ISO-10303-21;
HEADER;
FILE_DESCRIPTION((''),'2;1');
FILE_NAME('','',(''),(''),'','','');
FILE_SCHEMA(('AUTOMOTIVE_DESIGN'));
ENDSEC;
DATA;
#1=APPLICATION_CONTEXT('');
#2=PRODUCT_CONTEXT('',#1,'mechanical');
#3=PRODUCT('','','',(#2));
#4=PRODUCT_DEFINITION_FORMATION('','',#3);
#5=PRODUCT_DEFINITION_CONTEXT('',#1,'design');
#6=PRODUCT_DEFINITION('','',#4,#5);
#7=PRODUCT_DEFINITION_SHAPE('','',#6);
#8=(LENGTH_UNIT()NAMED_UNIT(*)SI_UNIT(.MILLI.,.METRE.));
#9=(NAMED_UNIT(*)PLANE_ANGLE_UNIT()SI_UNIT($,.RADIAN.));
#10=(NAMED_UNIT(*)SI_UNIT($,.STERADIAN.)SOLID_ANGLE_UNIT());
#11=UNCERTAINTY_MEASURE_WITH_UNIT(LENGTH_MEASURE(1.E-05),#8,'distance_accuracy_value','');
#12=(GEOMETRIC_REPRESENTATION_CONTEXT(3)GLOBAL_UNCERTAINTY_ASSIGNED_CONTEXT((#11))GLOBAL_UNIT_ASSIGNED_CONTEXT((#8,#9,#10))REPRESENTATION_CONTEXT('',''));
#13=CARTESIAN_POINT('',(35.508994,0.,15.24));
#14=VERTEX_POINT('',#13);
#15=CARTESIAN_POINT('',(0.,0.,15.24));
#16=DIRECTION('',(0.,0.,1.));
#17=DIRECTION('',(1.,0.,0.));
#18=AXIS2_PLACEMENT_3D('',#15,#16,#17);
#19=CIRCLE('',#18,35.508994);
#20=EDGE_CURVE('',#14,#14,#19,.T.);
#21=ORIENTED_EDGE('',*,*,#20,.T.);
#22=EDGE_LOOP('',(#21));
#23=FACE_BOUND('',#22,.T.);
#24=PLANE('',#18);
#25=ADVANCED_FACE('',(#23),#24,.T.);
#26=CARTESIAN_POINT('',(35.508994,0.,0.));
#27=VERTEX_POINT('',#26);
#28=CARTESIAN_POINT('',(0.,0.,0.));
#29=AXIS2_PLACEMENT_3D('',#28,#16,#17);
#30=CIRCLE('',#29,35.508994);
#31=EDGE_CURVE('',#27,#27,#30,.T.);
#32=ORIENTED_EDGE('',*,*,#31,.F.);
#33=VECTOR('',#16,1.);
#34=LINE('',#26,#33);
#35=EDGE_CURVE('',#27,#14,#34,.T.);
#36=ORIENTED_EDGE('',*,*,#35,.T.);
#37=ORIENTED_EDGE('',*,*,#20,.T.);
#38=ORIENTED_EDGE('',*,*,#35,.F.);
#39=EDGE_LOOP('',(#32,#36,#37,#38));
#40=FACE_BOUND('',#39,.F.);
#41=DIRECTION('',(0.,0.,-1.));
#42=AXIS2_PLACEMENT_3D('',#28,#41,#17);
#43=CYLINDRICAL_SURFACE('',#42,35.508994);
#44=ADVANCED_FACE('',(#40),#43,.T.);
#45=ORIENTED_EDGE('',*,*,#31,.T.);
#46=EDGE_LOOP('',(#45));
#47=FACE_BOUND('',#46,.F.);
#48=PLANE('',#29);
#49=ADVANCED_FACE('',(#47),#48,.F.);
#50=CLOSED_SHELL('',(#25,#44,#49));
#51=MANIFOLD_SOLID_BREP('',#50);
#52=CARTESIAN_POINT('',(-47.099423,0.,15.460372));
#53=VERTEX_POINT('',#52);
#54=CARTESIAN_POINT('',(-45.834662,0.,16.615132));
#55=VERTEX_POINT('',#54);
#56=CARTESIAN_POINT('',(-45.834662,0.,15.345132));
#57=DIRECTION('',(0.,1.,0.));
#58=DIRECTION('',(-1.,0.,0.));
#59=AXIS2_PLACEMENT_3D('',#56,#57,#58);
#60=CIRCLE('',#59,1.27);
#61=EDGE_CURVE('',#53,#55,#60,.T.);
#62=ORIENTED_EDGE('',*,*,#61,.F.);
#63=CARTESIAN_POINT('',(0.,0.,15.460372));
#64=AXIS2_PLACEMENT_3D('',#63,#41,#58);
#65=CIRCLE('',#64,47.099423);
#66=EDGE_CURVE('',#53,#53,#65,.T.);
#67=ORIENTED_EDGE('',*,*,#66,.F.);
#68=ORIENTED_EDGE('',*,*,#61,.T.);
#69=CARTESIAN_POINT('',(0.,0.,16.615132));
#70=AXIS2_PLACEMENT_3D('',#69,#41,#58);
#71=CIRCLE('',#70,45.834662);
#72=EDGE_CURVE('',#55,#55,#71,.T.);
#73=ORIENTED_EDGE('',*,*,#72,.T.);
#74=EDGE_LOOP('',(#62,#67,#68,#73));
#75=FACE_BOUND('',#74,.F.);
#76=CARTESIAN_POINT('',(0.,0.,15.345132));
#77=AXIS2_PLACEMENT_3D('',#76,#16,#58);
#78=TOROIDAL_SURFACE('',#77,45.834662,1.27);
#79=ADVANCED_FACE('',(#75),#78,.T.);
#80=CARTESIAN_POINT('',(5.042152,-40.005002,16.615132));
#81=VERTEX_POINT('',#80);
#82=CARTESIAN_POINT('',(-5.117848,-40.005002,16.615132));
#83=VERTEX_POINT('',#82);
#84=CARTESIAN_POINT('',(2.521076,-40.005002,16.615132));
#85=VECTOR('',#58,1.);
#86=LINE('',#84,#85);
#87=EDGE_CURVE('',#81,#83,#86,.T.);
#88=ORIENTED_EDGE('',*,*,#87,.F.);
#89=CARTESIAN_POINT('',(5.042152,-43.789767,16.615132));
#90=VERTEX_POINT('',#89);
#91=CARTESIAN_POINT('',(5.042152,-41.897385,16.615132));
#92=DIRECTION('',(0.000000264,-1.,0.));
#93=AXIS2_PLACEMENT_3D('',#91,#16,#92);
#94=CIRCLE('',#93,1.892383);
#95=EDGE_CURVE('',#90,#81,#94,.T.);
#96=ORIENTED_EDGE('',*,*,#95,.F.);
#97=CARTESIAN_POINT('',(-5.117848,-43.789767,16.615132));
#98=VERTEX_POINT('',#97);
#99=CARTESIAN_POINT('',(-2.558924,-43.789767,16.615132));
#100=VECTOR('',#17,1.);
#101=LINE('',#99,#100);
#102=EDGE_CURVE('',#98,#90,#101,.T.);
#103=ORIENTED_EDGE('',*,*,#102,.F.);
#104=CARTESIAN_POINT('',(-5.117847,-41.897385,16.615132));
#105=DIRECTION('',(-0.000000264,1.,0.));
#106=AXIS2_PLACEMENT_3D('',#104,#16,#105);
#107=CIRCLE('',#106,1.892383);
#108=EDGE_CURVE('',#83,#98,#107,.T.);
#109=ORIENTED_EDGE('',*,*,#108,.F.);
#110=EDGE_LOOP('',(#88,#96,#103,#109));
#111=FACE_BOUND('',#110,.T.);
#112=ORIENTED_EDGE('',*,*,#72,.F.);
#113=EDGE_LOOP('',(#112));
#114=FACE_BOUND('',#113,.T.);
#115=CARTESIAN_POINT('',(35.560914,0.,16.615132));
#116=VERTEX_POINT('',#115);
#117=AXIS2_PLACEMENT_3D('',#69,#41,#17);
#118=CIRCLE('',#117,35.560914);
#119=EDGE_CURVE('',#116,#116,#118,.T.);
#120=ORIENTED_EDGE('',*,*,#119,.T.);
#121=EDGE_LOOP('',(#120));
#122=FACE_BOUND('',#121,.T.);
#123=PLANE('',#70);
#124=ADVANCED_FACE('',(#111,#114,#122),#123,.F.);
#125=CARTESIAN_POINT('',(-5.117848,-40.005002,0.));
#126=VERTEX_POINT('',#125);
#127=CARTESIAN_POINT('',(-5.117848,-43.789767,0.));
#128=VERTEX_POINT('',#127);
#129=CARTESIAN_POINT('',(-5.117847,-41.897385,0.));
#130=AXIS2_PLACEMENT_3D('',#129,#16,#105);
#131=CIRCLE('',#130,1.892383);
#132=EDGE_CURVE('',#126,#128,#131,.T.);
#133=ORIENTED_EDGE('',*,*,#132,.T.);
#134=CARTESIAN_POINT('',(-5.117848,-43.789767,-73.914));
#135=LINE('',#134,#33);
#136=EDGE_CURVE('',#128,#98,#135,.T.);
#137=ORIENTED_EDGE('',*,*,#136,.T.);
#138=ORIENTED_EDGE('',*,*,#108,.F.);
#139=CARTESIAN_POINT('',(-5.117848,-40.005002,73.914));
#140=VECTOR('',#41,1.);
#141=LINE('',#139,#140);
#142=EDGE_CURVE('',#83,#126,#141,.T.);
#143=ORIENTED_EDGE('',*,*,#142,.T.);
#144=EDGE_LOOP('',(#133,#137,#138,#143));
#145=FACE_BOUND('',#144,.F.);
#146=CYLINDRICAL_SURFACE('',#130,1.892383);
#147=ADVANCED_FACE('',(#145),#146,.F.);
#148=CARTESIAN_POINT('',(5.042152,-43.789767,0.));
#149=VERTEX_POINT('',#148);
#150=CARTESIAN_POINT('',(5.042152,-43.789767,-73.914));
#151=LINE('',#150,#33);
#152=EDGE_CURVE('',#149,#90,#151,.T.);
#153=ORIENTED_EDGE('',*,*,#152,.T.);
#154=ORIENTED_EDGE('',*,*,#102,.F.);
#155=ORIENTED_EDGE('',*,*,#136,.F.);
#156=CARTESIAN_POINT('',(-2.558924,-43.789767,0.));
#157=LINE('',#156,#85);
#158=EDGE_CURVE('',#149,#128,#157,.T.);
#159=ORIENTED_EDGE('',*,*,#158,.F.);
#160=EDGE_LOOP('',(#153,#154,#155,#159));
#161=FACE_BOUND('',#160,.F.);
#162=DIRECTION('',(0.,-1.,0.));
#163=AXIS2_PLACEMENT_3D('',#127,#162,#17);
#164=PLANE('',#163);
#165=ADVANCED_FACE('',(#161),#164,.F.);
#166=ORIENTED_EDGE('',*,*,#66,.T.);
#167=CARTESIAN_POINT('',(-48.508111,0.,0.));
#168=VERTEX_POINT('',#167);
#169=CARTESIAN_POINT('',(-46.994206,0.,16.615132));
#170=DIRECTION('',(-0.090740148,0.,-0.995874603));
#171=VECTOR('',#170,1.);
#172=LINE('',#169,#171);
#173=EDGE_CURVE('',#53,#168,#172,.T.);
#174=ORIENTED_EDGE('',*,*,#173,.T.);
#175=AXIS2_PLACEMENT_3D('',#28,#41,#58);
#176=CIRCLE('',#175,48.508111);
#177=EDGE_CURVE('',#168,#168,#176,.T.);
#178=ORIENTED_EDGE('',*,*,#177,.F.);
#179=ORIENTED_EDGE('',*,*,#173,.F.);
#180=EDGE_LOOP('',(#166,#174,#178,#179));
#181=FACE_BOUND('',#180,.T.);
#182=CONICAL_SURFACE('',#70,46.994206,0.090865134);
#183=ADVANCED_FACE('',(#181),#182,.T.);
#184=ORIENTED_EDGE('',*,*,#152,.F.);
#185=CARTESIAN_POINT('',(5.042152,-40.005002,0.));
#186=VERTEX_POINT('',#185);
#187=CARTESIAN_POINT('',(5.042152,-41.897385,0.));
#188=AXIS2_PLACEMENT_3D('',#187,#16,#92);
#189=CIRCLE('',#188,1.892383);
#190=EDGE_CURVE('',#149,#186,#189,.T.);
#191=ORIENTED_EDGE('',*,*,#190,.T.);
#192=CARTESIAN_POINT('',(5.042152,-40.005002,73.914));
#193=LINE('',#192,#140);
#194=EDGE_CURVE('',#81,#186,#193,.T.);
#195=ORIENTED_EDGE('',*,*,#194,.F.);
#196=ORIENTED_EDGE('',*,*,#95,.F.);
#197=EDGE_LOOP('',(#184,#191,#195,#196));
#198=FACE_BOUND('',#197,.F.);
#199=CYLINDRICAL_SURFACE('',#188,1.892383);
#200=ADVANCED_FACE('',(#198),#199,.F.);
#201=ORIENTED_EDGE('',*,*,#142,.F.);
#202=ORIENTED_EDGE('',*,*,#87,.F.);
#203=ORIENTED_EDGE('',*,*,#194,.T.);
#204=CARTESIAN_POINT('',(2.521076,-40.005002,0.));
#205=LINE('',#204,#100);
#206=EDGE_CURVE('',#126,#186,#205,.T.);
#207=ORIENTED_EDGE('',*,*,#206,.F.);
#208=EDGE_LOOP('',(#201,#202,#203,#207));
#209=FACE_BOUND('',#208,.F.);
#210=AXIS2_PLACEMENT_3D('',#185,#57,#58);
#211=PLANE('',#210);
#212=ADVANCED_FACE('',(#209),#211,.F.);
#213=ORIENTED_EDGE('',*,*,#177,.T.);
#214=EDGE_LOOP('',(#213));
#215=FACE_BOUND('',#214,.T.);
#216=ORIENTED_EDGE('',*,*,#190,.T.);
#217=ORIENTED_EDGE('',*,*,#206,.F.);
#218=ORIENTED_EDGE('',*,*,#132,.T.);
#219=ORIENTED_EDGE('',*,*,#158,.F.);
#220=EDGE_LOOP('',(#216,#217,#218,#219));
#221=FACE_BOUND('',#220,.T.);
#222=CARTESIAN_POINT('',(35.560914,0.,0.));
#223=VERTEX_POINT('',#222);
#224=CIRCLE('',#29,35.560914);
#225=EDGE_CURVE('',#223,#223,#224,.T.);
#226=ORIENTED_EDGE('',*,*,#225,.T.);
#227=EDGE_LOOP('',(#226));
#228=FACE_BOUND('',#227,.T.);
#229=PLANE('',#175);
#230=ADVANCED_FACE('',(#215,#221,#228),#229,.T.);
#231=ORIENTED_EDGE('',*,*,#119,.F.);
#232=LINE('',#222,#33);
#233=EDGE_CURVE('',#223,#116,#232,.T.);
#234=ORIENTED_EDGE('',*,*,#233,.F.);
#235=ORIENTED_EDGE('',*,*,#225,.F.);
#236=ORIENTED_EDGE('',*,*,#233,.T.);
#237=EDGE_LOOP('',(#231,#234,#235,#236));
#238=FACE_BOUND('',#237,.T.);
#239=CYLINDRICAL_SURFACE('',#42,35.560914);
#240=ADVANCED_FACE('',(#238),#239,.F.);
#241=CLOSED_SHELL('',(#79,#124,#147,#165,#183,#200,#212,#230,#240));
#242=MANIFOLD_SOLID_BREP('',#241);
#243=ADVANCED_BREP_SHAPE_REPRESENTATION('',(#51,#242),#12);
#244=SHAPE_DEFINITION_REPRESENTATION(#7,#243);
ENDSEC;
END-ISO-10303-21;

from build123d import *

# Parameters (mm, degrees)
F2_R     = 35.560914
F3_DEPTH = 20.32
F4_R     = 35.508994
F5_DEPTH = 15.24
F7_DEPTH = 73.914
F8_R     = 1.27


with BuildPart() as f1:
    # F0 (on Front) → F1 (revolve)
    with BuildSketch(Plane.XZ):
        Polygon((-48.508111, 0), (0, 0), (0, 16.615132), (-46.994206, 16.615132), align=None)
    revolve(axis=Axis((0, 0, 8.307566), (0, 0, -1)))

    # F2 (on Top) → F3 (cut)
    with BuildSketch(Plane.XY):
        Circle(F2_R)
    extrude(amount=F3_DEPTH, mode=Mode.SUBTRACT)

    # F6 (on Top) → F7 (cut, symmetric)
    with BuildSketch(Plane.XY):
        with BuildLine():
            ThreePointArc((-5.117848, -40.005002), (-7.01023, -41.897384), (-5.117848, -43.789767))
            Line((-5.117848, -43.789767), (5.042152, -43.789767))
            ThreePointArc((5.042152, -43.789767), (6.934534, -41.897384), (5.042152, -40.005002))
            Line((5.042152, -40.005002), (-5.117848, -40.005002))
        make_face()
    extrude(amount=F7_DEPTH, both=True, mode=Mode.SUBTRACT)

    # F8
    f8_edges = [f1.edges().sort_by_distance(p)[0] for p in [
        (46.994206, 0, 16.615132),
    ]]
    fillet(f8_edges, radius=F8_R)


with BuildPart() as f5:
    # F4 (on Top) → F5 (new body)
    with BuildSketch(Plane.XY):
        Circle(F4_R)
    extrude(amount=F5_DEPTH)


solid = Compound([f1.part, f5.part])
